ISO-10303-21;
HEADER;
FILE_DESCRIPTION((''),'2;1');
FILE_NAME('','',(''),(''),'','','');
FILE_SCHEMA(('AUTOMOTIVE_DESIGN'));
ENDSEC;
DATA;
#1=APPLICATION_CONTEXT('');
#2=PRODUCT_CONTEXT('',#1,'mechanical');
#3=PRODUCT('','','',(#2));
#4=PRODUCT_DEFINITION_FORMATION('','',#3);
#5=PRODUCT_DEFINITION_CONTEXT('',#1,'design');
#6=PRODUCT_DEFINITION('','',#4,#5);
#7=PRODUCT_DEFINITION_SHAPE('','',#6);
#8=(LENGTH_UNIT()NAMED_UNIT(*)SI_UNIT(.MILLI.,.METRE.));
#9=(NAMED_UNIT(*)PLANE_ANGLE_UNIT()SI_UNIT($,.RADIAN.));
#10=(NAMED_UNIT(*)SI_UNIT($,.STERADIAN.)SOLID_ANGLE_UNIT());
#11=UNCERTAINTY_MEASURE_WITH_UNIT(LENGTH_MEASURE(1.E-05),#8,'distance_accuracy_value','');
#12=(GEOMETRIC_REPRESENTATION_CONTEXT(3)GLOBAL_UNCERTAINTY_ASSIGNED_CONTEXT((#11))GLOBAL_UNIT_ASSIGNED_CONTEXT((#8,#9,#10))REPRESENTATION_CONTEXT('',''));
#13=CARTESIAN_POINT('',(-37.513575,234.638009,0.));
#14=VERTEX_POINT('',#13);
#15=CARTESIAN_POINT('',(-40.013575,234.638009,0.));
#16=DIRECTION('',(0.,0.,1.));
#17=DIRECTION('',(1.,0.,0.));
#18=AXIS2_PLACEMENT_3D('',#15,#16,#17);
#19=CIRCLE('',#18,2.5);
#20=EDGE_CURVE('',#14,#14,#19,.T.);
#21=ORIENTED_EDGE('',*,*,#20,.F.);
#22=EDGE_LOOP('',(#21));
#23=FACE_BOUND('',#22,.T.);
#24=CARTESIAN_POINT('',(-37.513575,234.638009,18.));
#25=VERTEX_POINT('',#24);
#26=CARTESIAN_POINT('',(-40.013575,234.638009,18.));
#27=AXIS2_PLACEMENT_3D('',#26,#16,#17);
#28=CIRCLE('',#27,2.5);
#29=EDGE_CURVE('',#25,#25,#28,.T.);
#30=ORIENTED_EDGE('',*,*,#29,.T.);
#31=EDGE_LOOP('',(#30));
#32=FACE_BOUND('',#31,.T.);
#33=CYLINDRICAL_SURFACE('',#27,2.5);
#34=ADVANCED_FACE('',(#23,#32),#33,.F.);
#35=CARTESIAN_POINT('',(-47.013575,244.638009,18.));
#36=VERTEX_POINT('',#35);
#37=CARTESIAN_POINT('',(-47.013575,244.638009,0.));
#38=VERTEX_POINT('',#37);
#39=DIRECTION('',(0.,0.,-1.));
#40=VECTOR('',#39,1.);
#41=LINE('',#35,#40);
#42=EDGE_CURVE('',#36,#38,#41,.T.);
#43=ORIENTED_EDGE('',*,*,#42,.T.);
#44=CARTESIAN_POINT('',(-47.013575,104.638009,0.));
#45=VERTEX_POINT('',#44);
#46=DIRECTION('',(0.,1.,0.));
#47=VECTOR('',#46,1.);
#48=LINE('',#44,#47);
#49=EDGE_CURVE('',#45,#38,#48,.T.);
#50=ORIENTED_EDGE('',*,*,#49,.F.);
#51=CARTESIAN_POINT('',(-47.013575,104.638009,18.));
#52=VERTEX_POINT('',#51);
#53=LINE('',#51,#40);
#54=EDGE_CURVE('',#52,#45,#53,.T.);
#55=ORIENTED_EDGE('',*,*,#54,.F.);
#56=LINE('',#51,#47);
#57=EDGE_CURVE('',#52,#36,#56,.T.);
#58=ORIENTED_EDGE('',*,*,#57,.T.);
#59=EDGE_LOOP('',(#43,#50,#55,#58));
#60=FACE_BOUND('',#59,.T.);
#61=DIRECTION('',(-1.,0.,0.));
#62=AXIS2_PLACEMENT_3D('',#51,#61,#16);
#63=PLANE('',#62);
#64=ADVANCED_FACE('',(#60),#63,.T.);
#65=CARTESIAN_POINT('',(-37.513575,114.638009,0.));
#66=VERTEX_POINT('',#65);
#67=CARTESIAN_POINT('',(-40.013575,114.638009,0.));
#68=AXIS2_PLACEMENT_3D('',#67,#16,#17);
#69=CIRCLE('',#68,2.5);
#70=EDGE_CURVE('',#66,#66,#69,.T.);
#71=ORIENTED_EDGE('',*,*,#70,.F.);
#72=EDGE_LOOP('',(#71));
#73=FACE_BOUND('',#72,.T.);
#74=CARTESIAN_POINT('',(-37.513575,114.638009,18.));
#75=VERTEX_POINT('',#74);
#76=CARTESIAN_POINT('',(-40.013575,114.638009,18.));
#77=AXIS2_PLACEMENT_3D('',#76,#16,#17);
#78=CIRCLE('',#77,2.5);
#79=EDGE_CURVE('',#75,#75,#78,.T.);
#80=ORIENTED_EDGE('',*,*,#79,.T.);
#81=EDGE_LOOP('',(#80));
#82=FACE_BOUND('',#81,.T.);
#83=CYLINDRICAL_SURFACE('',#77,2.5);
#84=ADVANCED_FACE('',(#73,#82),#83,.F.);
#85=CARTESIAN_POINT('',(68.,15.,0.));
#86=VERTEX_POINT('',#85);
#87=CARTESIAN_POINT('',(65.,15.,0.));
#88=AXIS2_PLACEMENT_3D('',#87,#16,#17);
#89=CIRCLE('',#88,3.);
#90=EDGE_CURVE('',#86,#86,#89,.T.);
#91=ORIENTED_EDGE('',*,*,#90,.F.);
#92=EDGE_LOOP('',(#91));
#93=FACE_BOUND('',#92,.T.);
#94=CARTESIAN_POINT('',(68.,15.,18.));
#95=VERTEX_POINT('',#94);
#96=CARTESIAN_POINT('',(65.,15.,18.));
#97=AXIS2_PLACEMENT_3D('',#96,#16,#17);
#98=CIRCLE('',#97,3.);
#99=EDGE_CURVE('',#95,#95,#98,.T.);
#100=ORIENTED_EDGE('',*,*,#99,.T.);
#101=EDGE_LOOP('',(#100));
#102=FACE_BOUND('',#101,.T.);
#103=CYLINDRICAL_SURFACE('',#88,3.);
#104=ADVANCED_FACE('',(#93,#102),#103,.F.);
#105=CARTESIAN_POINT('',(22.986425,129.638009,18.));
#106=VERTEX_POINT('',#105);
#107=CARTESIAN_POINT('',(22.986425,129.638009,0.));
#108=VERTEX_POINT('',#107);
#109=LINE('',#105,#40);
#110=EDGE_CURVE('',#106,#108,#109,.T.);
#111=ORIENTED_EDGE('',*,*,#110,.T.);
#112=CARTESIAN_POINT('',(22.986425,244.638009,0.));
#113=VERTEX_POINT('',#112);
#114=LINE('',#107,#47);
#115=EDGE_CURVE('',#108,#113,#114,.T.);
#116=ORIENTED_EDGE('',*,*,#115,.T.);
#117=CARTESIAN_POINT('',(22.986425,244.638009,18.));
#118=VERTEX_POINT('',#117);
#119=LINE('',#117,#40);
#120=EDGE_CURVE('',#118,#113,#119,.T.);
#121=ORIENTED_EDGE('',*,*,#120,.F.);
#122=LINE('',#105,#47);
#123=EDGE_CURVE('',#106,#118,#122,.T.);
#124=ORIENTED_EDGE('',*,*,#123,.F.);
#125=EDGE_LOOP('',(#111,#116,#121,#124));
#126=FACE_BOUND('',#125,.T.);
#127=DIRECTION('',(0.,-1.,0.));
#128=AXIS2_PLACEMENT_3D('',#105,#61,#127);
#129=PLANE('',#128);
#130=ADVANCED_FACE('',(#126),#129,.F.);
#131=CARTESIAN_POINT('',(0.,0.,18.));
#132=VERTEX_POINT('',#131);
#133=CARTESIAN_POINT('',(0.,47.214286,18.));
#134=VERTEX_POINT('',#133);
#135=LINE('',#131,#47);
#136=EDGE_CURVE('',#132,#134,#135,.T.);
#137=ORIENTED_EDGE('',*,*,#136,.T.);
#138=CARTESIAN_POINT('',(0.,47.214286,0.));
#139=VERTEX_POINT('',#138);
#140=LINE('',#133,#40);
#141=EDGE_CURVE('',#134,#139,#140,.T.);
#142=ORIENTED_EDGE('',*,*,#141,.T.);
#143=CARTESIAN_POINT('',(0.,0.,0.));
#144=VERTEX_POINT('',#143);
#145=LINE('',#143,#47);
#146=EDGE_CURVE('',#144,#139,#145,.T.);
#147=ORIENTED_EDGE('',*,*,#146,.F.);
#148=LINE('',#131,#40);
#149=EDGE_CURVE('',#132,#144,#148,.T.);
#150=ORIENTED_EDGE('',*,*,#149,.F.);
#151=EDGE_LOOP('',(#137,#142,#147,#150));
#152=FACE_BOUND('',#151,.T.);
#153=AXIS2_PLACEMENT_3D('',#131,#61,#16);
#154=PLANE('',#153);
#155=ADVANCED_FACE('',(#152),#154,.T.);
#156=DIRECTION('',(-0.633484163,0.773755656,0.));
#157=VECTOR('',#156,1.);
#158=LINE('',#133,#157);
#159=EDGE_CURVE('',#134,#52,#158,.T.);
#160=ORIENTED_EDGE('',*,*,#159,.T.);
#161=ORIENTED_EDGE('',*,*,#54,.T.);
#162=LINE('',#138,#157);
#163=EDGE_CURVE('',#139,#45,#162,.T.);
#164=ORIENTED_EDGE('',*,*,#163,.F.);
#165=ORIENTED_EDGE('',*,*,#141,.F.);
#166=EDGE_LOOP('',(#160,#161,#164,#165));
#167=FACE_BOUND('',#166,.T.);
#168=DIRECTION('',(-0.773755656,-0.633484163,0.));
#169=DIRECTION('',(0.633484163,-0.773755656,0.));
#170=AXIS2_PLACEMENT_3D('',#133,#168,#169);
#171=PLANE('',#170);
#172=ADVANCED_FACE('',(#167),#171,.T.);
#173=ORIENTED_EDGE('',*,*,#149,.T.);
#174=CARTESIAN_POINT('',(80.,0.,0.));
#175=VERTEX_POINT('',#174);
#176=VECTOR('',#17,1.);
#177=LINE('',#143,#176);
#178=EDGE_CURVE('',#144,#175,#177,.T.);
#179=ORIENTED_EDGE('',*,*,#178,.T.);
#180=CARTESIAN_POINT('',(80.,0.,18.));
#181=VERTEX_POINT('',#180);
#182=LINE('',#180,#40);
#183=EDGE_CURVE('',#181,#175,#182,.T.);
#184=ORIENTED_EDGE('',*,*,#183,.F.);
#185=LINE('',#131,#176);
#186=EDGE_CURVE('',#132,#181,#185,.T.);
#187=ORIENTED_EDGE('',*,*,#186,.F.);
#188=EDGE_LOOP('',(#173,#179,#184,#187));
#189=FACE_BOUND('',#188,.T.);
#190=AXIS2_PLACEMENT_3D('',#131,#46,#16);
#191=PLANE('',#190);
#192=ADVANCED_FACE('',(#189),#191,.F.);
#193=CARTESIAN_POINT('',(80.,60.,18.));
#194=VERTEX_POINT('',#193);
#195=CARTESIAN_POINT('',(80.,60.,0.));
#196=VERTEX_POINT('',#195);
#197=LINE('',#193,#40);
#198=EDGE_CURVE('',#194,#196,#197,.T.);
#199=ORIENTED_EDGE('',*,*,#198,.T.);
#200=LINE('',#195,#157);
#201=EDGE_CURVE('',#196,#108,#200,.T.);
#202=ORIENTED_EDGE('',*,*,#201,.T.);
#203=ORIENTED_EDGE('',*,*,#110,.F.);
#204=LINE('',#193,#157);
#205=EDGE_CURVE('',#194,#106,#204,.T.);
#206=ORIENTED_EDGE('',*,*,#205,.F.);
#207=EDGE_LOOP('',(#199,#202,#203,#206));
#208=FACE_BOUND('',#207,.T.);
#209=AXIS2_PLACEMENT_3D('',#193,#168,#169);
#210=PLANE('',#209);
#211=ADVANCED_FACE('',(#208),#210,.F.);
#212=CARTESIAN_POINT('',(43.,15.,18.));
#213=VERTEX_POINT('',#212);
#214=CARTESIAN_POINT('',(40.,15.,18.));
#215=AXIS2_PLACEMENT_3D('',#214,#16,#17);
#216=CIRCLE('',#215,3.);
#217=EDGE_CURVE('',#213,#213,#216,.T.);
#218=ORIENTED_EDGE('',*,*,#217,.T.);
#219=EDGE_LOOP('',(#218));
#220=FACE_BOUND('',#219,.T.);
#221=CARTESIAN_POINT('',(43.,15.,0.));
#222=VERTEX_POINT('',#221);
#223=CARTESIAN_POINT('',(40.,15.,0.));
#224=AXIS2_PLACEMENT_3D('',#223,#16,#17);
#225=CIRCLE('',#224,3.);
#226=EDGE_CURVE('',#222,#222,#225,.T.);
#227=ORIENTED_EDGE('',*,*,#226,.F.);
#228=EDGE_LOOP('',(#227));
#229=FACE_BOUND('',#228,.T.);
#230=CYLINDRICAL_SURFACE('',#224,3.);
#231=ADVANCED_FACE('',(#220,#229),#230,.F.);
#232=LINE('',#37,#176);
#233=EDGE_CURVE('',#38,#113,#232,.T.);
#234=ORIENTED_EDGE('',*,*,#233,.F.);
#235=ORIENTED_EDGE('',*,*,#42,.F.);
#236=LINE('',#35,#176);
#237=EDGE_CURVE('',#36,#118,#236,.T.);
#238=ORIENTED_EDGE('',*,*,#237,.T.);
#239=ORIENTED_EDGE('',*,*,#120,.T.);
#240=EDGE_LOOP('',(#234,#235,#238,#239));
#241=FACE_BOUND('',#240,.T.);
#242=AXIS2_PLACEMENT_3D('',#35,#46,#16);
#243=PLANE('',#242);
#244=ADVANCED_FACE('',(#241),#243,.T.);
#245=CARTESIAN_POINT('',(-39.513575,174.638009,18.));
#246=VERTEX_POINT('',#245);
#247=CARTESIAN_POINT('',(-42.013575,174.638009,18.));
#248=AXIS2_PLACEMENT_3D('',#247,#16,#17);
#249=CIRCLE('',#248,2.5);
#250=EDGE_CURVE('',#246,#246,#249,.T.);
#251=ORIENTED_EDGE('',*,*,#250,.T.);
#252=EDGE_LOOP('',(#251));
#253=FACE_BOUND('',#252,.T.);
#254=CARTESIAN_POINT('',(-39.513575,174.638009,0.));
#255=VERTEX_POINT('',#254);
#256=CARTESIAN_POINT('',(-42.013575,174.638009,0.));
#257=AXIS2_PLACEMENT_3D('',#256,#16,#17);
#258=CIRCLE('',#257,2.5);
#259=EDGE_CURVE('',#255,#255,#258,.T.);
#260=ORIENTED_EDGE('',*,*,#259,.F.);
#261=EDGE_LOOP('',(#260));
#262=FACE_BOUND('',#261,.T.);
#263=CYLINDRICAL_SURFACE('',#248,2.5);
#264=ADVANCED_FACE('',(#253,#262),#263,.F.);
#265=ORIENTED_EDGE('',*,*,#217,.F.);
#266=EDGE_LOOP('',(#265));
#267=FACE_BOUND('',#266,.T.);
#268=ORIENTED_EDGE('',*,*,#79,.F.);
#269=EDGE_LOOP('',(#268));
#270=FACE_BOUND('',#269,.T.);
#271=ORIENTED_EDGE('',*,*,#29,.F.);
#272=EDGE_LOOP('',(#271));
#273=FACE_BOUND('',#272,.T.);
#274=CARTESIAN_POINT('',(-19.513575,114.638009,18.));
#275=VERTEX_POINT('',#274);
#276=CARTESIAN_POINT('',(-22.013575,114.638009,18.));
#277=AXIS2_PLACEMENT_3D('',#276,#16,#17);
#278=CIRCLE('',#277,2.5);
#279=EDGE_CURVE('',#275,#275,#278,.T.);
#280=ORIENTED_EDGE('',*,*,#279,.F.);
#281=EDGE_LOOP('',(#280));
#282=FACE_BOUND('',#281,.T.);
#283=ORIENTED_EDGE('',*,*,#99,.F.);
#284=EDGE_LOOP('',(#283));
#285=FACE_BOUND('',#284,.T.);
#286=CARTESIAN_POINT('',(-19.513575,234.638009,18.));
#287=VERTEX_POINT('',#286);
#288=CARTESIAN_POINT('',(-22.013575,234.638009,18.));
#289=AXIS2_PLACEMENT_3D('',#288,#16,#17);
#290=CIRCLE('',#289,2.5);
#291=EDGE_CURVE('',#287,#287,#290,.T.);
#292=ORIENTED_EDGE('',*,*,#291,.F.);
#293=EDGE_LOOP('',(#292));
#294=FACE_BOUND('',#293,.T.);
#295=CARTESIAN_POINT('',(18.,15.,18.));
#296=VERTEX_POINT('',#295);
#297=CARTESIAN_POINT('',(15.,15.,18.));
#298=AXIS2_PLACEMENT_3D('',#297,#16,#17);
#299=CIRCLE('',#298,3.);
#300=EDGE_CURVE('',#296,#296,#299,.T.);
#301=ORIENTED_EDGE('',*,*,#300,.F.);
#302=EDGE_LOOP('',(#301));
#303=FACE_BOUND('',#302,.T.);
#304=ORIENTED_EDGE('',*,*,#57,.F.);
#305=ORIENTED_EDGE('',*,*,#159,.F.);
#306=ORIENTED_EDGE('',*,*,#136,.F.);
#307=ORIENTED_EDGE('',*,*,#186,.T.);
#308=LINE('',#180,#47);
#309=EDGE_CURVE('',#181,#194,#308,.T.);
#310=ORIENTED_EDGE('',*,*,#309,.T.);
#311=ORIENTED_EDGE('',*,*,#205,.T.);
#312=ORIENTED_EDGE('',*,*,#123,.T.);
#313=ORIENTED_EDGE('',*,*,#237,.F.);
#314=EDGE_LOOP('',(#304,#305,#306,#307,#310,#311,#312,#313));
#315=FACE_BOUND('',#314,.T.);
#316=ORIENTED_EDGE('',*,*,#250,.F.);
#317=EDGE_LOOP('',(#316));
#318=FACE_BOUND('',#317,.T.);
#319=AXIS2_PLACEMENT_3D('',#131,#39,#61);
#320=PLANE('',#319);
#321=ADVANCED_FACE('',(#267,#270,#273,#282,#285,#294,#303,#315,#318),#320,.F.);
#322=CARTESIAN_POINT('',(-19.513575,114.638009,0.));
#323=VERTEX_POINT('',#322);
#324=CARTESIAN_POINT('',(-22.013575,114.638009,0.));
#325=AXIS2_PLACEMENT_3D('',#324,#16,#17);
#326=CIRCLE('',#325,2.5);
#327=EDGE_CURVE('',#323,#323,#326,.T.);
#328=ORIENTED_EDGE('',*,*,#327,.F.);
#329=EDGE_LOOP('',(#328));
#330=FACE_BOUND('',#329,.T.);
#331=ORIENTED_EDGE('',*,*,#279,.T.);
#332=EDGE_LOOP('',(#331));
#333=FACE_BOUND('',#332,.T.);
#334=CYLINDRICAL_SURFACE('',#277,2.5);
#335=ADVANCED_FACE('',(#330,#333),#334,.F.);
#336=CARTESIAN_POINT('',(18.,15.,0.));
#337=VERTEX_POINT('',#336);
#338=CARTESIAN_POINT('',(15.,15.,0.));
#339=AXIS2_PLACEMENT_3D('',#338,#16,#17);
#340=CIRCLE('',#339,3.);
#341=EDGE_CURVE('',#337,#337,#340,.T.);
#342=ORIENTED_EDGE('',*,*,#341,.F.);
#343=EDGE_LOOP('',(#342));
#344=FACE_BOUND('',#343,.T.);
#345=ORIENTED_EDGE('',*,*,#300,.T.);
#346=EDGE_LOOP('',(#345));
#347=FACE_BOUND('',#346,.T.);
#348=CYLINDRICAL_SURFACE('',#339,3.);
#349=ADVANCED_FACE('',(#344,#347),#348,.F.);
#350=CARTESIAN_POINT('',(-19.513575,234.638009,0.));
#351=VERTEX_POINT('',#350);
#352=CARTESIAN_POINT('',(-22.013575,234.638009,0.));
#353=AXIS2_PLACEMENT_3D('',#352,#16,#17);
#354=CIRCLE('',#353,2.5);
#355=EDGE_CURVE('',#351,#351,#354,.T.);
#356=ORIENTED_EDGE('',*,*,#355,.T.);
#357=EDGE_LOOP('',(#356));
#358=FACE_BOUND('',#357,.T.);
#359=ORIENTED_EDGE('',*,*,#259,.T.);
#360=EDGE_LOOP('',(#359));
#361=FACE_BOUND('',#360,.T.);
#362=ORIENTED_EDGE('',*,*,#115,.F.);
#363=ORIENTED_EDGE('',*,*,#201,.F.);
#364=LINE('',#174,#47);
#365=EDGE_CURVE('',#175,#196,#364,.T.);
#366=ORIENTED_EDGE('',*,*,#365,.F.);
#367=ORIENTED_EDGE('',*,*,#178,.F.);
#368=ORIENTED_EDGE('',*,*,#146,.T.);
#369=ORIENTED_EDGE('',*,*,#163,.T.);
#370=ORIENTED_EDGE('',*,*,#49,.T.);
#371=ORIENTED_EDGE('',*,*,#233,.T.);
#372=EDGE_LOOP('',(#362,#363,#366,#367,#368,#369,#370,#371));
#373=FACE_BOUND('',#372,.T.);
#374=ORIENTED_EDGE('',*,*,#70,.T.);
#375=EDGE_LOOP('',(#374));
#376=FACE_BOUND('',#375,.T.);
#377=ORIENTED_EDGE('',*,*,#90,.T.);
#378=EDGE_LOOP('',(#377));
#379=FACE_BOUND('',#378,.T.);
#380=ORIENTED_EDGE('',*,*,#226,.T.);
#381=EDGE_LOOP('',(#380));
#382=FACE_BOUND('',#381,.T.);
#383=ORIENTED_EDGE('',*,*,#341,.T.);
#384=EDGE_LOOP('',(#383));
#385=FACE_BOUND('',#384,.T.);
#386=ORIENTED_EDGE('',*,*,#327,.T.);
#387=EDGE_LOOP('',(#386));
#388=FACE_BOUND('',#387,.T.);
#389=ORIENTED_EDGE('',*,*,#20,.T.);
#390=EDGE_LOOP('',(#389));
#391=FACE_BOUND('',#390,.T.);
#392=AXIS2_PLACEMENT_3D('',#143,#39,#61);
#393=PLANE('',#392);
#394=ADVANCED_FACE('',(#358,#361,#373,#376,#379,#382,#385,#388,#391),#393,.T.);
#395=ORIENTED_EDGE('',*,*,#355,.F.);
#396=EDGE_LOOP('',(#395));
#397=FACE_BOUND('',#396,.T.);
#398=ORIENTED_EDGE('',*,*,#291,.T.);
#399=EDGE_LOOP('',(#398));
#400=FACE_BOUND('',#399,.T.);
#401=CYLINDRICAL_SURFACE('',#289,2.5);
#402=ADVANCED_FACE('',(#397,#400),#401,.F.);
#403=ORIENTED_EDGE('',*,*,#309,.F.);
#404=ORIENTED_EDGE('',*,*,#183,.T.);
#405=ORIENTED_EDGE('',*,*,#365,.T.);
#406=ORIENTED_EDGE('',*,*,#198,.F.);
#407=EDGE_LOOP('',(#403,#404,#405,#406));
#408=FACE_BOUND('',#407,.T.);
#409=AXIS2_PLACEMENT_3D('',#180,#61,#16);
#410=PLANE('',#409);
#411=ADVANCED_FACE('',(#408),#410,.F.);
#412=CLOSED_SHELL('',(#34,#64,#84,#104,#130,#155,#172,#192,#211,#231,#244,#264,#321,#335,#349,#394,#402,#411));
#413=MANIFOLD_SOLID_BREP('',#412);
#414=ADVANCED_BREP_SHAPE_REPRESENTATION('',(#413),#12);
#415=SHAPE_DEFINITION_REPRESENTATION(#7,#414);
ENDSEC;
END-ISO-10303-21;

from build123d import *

# Parameters (mm, degrees)
EXTRUDE_1_DEPTH     = 18
HOLE_WIZARD_M6_1_D  = 5
SKETCH_7_R          = 3
CUT_EXTRUDE_1_DEPTH = 259.015029546
HOLE_WIZARD_M6_2_D  = 5


with BuildPart() as part:
    # 草图1 → 凸台-拉伸1 (new body)
    with BuildSketch(Plane.XY):
        Polygon((0, 0), (80, 0), (80, 60), (22.986425339, 129.63800905), (22.986425339, 244.63800905), (-47.013574661, 244.63800905), (-47.013574661, 104.63800905), (0, 47.214285714), align=None)
    extrude(amount=EXTRUDE_1_DEPTH)

    # M6 螺纹孔1 (through all)
    with Locations(Plane.XY.offset(18)):
        with Locations((-40.013574661, 114.63800905), (-22.013574661, 114.63800905), (-40.013574661, 234.63800905), (-22.013574661, 234.63800905)):
            Hole(HOLE_WIZARD_M6_1_D / 2)

    # 草图7 → 切除-拉伸1 (cut, through all)
    with BuildSketch(Plane.XY.offset(18)):
        with Locations((15, 15)):
            Circle(SKETCH_7_R)
        with Locations((40, 15)):
            Circle(SKETCH_7_R)
        with Locations((65, 15)):
            Circle(SKETCH_7_R)
    extrude(amount=-CUT_EXTRUDE_1_DEPTH, mode=Mode.SUBTRACT)

    # M6 螺纹孔2 (through all)
    with Locations(Plane(origin=(-42.013574661, 174.63800905, 18), x_dir=(1, 0, 0), z_dir=(0, 0, 1))):
        with Locations((0, 0)):
            Hole(HOLE_WIZARD_M6_2_D / 2)


solid = part.part
